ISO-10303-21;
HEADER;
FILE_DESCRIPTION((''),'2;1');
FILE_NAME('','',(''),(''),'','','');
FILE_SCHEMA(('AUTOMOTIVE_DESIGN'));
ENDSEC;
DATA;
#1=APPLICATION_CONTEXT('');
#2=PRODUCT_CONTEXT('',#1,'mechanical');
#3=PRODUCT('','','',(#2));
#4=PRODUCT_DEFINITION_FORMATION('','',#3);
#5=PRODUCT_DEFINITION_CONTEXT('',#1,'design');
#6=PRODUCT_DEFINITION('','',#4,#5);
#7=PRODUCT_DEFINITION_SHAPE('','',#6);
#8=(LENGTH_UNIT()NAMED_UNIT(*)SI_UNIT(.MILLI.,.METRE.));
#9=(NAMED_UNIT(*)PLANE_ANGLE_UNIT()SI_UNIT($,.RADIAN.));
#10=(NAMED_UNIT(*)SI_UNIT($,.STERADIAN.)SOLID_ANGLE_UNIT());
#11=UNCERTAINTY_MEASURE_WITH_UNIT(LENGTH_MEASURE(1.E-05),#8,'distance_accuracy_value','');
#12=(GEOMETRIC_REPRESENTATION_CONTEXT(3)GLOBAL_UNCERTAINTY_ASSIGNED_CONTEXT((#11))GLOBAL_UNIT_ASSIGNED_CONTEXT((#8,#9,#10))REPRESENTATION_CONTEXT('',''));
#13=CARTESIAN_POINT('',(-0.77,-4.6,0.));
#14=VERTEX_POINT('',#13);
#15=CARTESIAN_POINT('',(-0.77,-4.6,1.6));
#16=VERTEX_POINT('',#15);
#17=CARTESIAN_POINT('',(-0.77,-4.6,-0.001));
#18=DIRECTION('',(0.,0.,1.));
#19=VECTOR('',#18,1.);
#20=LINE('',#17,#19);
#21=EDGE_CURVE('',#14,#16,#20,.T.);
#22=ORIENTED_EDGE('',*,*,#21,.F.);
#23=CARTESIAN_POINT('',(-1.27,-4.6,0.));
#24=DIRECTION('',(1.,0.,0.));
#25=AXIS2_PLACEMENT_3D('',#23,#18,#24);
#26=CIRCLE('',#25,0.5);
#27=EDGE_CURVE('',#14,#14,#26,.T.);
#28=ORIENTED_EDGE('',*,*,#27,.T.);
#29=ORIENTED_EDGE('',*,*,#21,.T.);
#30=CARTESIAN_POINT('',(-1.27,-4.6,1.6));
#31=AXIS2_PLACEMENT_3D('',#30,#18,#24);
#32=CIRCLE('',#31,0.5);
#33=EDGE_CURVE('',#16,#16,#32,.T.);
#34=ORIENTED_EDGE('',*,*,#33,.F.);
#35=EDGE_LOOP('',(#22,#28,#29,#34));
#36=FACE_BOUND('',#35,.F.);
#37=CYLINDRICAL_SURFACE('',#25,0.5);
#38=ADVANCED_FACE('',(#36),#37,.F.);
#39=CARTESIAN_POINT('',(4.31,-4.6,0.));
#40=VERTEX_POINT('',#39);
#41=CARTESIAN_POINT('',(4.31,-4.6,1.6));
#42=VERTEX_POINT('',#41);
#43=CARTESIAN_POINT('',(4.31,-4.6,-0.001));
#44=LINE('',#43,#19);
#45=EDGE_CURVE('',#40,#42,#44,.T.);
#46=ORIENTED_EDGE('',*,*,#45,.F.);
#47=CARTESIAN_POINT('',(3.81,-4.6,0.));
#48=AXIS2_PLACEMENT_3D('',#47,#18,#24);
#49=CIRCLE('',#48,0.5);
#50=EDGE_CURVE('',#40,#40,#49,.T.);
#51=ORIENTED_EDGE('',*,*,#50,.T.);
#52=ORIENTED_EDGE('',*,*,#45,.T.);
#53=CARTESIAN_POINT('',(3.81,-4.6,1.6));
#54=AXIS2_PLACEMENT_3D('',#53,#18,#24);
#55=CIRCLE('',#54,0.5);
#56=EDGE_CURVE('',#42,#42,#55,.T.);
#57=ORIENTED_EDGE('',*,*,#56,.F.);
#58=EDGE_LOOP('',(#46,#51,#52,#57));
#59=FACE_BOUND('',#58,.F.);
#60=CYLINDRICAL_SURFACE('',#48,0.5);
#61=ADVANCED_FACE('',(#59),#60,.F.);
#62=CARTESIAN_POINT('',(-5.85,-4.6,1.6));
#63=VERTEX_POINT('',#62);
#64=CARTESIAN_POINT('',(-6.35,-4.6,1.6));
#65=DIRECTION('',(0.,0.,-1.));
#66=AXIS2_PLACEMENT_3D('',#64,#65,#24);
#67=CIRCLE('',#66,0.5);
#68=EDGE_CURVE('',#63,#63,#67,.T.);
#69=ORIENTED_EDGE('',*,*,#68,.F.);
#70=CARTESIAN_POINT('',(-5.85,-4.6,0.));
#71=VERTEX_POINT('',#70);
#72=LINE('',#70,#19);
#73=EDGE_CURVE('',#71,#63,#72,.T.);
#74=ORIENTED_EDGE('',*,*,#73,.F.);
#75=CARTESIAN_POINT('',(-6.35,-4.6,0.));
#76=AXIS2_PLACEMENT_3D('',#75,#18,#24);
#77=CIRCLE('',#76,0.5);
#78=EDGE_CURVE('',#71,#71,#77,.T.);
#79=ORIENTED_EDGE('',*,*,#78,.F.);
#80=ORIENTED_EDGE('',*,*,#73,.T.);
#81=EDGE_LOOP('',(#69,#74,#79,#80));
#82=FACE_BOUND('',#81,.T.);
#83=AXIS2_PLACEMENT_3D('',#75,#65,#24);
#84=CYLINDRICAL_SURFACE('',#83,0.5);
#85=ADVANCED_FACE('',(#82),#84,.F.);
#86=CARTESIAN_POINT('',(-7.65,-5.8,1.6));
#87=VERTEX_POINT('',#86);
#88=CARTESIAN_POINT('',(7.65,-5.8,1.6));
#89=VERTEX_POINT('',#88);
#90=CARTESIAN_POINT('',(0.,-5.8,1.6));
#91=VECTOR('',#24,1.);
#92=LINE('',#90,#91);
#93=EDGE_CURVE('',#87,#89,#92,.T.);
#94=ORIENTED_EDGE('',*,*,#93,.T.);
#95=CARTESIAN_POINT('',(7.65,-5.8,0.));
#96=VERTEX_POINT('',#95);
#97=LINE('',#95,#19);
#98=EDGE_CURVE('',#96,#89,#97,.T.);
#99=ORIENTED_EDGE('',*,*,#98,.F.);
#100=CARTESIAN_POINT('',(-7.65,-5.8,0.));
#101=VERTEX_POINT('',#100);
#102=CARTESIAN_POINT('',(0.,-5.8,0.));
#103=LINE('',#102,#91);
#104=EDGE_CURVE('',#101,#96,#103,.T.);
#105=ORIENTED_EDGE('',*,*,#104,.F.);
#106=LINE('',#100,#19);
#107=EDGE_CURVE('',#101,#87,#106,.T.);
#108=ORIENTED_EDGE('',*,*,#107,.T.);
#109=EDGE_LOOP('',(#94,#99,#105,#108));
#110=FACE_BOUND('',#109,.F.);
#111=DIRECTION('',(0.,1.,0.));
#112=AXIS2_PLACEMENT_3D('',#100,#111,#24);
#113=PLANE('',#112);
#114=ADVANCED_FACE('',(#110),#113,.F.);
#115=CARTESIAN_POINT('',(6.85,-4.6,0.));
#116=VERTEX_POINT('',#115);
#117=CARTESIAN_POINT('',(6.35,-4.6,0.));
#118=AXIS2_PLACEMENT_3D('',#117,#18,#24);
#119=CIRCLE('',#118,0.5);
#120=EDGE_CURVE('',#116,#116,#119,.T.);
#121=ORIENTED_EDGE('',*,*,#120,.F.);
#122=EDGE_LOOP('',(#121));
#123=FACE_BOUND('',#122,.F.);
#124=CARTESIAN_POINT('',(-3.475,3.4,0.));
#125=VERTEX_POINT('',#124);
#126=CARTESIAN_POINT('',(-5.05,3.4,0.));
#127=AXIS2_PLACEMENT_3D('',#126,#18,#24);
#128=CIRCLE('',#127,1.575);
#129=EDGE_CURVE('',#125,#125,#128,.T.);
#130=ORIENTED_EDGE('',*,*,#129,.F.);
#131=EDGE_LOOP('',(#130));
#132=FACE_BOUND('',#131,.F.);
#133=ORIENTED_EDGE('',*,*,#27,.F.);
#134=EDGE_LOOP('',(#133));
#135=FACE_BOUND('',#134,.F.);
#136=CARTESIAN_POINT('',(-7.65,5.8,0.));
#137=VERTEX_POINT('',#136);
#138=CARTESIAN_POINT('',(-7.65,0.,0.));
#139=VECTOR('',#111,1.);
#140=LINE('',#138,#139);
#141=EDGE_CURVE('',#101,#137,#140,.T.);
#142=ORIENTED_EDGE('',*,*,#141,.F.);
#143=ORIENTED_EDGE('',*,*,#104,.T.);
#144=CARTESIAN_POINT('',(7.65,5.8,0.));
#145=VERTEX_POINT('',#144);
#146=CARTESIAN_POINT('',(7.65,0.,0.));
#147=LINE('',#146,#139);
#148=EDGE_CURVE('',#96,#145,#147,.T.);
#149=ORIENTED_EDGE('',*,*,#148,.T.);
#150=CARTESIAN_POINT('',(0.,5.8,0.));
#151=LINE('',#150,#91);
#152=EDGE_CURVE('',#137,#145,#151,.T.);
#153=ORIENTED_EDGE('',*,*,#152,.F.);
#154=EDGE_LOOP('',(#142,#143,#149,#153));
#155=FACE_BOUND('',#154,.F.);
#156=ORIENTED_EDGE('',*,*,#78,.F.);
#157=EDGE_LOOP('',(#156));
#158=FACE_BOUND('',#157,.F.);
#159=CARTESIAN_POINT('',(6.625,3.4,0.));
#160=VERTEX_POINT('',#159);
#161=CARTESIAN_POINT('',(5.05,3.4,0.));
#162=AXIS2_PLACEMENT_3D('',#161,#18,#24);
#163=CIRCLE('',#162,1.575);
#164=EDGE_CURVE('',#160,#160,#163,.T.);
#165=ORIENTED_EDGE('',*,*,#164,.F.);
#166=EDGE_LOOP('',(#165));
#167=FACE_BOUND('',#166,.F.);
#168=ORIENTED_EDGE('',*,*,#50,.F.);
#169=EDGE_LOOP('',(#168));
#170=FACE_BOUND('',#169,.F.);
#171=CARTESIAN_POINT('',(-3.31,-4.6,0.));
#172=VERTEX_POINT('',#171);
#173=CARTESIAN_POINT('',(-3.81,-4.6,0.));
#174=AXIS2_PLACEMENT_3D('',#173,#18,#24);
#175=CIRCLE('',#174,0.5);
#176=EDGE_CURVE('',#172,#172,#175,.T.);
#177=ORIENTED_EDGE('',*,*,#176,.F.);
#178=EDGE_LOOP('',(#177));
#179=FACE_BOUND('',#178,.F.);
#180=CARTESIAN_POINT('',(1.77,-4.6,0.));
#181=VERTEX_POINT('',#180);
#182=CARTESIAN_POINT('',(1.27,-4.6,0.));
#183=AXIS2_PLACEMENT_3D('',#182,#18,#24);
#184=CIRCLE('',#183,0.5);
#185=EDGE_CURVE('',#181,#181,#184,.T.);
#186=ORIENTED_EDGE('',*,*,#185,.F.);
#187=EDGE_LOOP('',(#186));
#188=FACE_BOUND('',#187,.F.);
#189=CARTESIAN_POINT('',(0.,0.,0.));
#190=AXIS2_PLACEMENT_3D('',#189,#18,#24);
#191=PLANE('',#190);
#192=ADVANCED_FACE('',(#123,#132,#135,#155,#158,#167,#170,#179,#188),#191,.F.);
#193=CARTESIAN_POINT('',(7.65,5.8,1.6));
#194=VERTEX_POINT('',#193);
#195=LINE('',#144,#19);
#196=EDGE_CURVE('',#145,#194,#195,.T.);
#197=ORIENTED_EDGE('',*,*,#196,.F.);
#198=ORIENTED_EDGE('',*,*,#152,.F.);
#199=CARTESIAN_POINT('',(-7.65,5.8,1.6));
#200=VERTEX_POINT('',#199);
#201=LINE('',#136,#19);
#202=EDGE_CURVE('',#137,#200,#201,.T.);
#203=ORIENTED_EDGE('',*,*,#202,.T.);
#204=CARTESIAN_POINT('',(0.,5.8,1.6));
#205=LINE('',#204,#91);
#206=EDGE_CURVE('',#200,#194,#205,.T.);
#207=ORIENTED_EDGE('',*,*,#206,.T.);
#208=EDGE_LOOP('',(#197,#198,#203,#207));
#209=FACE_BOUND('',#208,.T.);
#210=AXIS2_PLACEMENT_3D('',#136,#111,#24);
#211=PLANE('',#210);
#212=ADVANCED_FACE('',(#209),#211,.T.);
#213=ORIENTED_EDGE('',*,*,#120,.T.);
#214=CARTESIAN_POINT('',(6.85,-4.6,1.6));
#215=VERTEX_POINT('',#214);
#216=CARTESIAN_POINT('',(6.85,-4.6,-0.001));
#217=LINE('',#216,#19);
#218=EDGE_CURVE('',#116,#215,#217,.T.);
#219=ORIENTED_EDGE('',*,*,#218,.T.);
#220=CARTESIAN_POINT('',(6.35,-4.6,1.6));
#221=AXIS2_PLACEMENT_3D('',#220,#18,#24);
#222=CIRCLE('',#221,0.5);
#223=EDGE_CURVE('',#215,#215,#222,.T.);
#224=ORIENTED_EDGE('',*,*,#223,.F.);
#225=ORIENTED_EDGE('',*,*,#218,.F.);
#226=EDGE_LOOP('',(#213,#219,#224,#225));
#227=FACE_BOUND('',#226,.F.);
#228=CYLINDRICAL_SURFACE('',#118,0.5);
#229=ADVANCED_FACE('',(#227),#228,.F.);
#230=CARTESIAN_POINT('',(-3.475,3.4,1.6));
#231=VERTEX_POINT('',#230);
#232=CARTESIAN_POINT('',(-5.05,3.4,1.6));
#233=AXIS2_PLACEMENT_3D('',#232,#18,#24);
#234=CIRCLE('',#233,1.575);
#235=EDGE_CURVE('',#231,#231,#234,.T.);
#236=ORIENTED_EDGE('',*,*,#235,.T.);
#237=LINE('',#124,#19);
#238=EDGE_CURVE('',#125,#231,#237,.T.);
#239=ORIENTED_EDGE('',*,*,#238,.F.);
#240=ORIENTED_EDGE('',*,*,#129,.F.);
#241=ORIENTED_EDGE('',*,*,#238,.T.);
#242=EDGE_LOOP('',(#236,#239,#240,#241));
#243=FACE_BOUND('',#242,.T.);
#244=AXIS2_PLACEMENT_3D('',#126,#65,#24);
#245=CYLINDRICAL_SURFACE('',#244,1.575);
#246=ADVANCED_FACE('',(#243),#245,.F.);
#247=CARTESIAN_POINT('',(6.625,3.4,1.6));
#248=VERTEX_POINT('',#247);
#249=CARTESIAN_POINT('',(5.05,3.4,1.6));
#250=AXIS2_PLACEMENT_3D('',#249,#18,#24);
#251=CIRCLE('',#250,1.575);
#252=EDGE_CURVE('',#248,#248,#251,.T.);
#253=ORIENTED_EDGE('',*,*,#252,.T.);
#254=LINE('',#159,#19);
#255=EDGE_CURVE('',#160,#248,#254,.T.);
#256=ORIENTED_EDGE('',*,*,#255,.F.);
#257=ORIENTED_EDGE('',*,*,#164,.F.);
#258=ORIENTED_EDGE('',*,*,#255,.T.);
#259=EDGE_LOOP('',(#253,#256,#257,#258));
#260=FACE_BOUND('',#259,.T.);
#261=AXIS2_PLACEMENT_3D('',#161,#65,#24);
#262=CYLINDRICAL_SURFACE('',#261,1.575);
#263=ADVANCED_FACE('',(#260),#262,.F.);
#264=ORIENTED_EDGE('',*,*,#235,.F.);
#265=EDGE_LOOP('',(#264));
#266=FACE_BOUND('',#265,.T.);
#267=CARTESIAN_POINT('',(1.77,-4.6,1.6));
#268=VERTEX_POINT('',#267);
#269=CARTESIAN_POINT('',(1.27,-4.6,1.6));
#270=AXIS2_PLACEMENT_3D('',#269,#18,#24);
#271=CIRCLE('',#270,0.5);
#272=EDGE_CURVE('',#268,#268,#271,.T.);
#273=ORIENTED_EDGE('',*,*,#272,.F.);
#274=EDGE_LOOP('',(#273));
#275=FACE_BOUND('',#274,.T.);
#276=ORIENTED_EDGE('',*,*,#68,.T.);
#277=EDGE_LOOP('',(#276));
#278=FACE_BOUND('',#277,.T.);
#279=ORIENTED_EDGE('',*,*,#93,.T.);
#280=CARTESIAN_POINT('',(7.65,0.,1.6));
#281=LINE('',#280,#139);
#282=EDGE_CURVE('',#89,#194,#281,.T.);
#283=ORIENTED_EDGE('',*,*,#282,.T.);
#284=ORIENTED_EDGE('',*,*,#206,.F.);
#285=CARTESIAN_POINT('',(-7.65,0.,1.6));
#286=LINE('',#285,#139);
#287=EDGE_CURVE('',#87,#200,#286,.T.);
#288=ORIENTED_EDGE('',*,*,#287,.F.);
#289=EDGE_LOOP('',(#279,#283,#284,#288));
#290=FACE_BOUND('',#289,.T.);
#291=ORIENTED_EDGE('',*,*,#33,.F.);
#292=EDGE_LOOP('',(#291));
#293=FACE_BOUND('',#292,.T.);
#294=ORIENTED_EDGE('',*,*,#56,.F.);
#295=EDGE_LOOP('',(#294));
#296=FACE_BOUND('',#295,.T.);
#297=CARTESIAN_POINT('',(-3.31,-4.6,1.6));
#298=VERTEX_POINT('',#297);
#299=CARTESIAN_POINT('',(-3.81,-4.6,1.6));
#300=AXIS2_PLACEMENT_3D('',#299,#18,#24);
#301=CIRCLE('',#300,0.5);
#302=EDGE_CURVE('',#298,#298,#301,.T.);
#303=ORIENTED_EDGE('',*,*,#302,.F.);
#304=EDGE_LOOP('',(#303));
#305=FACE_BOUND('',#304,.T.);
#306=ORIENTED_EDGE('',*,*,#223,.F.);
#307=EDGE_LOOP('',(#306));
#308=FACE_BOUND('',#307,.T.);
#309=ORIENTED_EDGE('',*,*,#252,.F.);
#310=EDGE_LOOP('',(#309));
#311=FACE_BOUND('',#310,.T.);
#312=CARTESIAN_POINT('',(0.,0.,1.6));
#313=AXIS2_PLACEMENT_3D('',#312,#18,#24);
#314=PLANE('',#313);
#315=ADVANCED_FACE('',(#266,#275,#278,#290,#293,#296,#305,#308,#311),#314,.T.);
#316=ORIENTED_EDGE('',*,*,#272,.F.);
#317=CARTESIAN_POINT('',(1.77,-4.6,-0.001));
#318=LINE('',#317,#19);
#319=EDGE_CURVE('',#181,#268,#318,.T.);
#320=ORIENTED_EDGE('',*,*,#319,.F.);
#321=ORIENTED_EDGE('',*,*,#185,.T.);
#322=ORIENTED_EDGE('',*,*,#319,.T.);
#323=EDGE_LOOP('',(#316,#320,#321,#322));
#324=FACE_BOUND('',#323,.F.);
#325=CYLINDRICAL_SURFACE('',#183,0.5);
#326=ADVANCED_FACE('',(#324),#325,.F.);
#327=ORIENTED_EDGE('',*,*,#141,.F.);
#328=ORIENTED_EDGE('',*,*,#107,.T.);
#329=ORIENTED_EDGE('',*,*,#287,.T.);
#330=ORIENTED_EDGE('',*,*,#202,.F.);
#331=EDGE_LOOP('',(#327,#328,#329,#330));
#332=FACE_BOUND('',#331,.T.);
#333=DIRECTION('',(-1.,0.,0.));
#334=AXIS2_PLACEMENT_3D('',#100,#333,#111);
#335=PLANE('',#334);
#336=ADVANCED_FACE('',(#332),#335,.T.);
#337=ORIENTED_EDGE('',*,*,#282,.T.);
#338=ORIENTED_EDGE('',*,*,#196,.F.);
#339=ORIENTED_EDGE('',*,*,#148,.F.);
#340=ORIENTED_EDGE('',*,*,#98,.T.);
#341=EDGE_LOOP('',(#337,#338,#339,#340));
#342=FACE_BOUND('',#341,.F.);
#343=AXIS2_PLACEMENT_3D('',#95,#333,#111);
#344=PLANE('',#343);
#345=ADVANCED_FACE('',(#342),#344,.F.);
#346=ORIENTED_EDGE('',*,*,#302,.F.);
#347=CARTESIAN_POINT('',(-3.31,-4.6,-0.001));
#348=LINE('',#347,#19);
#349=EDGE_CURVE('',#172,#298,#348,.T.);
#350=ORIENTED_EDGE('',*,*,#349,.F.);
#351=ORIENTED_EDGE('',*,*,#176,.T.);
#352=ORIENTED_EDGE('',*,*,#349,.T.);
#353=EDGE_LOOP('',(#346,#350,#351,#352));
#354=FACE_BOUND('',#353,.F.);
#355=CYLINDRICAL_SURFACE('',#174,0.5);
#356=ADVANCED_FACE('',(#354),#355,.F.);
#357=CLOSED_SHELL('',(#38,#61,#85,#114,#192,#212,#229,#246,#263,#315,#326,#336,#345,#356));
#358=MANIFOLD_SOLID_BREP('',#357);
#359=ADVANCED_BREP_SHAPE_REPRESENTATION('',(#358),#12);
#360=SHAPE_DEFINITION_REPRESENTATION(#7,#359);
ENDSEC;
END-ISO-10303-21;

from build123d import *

# Parameters (mm, degrees)
SKETCH_W            = 15.3
SKETCH_H            = 11.6
SKETCH_R            = 1.575
PAD_DEPTH           = 1.6
SKETCH001_R         = 0.5
POCKET_DEPTH        = 0.001
POCKET_DEPTH_BACK   = 1.601
LINEARPATTERN_COUNT = 6
LINEARPATTERN_PITCH = 2.54


with BuildPart() as part:
    # Sketch → Pad (new body)
    with BuildSketch(Plane.XY):
        Rectangle(SKETCH_W, SKETCH_H)
        with Locations((-5.05, 3.4)):
            Circle(SKETCH_R, mode=Mode.SUBTRACT)
        with Locations((5.05, 3.4)):
            Circle(SKETCH_R, mode=Mode.SUBTRACT)
    extrude(amount=PAD_DEPTH)

    # Sketch001 → Pocket (cut, two sides)
    with BuildSketch(Plane.XY) as pocket_sk:
        with Locations((-6.35, -4.6)):
            Circle(SKETCH001_R)
    pocket = extrude(amount=-POCKET_DEPTH, mode=Mode.SUBTRACT) + extrude(pocket_sk.sketch, amount=POCKET_DEPTH_BACK, mode=Mode.SUBTRACT)

    # LinearPattern: Pocket ×6
    with Locations(*[(i * LINEARPATTERN_PITCH, 0, 0) for i in range(1, LINEARPATTERN_COUNT)]):
        add(pocket, mode=Mode.SUBTRACT)


solid = part.part
